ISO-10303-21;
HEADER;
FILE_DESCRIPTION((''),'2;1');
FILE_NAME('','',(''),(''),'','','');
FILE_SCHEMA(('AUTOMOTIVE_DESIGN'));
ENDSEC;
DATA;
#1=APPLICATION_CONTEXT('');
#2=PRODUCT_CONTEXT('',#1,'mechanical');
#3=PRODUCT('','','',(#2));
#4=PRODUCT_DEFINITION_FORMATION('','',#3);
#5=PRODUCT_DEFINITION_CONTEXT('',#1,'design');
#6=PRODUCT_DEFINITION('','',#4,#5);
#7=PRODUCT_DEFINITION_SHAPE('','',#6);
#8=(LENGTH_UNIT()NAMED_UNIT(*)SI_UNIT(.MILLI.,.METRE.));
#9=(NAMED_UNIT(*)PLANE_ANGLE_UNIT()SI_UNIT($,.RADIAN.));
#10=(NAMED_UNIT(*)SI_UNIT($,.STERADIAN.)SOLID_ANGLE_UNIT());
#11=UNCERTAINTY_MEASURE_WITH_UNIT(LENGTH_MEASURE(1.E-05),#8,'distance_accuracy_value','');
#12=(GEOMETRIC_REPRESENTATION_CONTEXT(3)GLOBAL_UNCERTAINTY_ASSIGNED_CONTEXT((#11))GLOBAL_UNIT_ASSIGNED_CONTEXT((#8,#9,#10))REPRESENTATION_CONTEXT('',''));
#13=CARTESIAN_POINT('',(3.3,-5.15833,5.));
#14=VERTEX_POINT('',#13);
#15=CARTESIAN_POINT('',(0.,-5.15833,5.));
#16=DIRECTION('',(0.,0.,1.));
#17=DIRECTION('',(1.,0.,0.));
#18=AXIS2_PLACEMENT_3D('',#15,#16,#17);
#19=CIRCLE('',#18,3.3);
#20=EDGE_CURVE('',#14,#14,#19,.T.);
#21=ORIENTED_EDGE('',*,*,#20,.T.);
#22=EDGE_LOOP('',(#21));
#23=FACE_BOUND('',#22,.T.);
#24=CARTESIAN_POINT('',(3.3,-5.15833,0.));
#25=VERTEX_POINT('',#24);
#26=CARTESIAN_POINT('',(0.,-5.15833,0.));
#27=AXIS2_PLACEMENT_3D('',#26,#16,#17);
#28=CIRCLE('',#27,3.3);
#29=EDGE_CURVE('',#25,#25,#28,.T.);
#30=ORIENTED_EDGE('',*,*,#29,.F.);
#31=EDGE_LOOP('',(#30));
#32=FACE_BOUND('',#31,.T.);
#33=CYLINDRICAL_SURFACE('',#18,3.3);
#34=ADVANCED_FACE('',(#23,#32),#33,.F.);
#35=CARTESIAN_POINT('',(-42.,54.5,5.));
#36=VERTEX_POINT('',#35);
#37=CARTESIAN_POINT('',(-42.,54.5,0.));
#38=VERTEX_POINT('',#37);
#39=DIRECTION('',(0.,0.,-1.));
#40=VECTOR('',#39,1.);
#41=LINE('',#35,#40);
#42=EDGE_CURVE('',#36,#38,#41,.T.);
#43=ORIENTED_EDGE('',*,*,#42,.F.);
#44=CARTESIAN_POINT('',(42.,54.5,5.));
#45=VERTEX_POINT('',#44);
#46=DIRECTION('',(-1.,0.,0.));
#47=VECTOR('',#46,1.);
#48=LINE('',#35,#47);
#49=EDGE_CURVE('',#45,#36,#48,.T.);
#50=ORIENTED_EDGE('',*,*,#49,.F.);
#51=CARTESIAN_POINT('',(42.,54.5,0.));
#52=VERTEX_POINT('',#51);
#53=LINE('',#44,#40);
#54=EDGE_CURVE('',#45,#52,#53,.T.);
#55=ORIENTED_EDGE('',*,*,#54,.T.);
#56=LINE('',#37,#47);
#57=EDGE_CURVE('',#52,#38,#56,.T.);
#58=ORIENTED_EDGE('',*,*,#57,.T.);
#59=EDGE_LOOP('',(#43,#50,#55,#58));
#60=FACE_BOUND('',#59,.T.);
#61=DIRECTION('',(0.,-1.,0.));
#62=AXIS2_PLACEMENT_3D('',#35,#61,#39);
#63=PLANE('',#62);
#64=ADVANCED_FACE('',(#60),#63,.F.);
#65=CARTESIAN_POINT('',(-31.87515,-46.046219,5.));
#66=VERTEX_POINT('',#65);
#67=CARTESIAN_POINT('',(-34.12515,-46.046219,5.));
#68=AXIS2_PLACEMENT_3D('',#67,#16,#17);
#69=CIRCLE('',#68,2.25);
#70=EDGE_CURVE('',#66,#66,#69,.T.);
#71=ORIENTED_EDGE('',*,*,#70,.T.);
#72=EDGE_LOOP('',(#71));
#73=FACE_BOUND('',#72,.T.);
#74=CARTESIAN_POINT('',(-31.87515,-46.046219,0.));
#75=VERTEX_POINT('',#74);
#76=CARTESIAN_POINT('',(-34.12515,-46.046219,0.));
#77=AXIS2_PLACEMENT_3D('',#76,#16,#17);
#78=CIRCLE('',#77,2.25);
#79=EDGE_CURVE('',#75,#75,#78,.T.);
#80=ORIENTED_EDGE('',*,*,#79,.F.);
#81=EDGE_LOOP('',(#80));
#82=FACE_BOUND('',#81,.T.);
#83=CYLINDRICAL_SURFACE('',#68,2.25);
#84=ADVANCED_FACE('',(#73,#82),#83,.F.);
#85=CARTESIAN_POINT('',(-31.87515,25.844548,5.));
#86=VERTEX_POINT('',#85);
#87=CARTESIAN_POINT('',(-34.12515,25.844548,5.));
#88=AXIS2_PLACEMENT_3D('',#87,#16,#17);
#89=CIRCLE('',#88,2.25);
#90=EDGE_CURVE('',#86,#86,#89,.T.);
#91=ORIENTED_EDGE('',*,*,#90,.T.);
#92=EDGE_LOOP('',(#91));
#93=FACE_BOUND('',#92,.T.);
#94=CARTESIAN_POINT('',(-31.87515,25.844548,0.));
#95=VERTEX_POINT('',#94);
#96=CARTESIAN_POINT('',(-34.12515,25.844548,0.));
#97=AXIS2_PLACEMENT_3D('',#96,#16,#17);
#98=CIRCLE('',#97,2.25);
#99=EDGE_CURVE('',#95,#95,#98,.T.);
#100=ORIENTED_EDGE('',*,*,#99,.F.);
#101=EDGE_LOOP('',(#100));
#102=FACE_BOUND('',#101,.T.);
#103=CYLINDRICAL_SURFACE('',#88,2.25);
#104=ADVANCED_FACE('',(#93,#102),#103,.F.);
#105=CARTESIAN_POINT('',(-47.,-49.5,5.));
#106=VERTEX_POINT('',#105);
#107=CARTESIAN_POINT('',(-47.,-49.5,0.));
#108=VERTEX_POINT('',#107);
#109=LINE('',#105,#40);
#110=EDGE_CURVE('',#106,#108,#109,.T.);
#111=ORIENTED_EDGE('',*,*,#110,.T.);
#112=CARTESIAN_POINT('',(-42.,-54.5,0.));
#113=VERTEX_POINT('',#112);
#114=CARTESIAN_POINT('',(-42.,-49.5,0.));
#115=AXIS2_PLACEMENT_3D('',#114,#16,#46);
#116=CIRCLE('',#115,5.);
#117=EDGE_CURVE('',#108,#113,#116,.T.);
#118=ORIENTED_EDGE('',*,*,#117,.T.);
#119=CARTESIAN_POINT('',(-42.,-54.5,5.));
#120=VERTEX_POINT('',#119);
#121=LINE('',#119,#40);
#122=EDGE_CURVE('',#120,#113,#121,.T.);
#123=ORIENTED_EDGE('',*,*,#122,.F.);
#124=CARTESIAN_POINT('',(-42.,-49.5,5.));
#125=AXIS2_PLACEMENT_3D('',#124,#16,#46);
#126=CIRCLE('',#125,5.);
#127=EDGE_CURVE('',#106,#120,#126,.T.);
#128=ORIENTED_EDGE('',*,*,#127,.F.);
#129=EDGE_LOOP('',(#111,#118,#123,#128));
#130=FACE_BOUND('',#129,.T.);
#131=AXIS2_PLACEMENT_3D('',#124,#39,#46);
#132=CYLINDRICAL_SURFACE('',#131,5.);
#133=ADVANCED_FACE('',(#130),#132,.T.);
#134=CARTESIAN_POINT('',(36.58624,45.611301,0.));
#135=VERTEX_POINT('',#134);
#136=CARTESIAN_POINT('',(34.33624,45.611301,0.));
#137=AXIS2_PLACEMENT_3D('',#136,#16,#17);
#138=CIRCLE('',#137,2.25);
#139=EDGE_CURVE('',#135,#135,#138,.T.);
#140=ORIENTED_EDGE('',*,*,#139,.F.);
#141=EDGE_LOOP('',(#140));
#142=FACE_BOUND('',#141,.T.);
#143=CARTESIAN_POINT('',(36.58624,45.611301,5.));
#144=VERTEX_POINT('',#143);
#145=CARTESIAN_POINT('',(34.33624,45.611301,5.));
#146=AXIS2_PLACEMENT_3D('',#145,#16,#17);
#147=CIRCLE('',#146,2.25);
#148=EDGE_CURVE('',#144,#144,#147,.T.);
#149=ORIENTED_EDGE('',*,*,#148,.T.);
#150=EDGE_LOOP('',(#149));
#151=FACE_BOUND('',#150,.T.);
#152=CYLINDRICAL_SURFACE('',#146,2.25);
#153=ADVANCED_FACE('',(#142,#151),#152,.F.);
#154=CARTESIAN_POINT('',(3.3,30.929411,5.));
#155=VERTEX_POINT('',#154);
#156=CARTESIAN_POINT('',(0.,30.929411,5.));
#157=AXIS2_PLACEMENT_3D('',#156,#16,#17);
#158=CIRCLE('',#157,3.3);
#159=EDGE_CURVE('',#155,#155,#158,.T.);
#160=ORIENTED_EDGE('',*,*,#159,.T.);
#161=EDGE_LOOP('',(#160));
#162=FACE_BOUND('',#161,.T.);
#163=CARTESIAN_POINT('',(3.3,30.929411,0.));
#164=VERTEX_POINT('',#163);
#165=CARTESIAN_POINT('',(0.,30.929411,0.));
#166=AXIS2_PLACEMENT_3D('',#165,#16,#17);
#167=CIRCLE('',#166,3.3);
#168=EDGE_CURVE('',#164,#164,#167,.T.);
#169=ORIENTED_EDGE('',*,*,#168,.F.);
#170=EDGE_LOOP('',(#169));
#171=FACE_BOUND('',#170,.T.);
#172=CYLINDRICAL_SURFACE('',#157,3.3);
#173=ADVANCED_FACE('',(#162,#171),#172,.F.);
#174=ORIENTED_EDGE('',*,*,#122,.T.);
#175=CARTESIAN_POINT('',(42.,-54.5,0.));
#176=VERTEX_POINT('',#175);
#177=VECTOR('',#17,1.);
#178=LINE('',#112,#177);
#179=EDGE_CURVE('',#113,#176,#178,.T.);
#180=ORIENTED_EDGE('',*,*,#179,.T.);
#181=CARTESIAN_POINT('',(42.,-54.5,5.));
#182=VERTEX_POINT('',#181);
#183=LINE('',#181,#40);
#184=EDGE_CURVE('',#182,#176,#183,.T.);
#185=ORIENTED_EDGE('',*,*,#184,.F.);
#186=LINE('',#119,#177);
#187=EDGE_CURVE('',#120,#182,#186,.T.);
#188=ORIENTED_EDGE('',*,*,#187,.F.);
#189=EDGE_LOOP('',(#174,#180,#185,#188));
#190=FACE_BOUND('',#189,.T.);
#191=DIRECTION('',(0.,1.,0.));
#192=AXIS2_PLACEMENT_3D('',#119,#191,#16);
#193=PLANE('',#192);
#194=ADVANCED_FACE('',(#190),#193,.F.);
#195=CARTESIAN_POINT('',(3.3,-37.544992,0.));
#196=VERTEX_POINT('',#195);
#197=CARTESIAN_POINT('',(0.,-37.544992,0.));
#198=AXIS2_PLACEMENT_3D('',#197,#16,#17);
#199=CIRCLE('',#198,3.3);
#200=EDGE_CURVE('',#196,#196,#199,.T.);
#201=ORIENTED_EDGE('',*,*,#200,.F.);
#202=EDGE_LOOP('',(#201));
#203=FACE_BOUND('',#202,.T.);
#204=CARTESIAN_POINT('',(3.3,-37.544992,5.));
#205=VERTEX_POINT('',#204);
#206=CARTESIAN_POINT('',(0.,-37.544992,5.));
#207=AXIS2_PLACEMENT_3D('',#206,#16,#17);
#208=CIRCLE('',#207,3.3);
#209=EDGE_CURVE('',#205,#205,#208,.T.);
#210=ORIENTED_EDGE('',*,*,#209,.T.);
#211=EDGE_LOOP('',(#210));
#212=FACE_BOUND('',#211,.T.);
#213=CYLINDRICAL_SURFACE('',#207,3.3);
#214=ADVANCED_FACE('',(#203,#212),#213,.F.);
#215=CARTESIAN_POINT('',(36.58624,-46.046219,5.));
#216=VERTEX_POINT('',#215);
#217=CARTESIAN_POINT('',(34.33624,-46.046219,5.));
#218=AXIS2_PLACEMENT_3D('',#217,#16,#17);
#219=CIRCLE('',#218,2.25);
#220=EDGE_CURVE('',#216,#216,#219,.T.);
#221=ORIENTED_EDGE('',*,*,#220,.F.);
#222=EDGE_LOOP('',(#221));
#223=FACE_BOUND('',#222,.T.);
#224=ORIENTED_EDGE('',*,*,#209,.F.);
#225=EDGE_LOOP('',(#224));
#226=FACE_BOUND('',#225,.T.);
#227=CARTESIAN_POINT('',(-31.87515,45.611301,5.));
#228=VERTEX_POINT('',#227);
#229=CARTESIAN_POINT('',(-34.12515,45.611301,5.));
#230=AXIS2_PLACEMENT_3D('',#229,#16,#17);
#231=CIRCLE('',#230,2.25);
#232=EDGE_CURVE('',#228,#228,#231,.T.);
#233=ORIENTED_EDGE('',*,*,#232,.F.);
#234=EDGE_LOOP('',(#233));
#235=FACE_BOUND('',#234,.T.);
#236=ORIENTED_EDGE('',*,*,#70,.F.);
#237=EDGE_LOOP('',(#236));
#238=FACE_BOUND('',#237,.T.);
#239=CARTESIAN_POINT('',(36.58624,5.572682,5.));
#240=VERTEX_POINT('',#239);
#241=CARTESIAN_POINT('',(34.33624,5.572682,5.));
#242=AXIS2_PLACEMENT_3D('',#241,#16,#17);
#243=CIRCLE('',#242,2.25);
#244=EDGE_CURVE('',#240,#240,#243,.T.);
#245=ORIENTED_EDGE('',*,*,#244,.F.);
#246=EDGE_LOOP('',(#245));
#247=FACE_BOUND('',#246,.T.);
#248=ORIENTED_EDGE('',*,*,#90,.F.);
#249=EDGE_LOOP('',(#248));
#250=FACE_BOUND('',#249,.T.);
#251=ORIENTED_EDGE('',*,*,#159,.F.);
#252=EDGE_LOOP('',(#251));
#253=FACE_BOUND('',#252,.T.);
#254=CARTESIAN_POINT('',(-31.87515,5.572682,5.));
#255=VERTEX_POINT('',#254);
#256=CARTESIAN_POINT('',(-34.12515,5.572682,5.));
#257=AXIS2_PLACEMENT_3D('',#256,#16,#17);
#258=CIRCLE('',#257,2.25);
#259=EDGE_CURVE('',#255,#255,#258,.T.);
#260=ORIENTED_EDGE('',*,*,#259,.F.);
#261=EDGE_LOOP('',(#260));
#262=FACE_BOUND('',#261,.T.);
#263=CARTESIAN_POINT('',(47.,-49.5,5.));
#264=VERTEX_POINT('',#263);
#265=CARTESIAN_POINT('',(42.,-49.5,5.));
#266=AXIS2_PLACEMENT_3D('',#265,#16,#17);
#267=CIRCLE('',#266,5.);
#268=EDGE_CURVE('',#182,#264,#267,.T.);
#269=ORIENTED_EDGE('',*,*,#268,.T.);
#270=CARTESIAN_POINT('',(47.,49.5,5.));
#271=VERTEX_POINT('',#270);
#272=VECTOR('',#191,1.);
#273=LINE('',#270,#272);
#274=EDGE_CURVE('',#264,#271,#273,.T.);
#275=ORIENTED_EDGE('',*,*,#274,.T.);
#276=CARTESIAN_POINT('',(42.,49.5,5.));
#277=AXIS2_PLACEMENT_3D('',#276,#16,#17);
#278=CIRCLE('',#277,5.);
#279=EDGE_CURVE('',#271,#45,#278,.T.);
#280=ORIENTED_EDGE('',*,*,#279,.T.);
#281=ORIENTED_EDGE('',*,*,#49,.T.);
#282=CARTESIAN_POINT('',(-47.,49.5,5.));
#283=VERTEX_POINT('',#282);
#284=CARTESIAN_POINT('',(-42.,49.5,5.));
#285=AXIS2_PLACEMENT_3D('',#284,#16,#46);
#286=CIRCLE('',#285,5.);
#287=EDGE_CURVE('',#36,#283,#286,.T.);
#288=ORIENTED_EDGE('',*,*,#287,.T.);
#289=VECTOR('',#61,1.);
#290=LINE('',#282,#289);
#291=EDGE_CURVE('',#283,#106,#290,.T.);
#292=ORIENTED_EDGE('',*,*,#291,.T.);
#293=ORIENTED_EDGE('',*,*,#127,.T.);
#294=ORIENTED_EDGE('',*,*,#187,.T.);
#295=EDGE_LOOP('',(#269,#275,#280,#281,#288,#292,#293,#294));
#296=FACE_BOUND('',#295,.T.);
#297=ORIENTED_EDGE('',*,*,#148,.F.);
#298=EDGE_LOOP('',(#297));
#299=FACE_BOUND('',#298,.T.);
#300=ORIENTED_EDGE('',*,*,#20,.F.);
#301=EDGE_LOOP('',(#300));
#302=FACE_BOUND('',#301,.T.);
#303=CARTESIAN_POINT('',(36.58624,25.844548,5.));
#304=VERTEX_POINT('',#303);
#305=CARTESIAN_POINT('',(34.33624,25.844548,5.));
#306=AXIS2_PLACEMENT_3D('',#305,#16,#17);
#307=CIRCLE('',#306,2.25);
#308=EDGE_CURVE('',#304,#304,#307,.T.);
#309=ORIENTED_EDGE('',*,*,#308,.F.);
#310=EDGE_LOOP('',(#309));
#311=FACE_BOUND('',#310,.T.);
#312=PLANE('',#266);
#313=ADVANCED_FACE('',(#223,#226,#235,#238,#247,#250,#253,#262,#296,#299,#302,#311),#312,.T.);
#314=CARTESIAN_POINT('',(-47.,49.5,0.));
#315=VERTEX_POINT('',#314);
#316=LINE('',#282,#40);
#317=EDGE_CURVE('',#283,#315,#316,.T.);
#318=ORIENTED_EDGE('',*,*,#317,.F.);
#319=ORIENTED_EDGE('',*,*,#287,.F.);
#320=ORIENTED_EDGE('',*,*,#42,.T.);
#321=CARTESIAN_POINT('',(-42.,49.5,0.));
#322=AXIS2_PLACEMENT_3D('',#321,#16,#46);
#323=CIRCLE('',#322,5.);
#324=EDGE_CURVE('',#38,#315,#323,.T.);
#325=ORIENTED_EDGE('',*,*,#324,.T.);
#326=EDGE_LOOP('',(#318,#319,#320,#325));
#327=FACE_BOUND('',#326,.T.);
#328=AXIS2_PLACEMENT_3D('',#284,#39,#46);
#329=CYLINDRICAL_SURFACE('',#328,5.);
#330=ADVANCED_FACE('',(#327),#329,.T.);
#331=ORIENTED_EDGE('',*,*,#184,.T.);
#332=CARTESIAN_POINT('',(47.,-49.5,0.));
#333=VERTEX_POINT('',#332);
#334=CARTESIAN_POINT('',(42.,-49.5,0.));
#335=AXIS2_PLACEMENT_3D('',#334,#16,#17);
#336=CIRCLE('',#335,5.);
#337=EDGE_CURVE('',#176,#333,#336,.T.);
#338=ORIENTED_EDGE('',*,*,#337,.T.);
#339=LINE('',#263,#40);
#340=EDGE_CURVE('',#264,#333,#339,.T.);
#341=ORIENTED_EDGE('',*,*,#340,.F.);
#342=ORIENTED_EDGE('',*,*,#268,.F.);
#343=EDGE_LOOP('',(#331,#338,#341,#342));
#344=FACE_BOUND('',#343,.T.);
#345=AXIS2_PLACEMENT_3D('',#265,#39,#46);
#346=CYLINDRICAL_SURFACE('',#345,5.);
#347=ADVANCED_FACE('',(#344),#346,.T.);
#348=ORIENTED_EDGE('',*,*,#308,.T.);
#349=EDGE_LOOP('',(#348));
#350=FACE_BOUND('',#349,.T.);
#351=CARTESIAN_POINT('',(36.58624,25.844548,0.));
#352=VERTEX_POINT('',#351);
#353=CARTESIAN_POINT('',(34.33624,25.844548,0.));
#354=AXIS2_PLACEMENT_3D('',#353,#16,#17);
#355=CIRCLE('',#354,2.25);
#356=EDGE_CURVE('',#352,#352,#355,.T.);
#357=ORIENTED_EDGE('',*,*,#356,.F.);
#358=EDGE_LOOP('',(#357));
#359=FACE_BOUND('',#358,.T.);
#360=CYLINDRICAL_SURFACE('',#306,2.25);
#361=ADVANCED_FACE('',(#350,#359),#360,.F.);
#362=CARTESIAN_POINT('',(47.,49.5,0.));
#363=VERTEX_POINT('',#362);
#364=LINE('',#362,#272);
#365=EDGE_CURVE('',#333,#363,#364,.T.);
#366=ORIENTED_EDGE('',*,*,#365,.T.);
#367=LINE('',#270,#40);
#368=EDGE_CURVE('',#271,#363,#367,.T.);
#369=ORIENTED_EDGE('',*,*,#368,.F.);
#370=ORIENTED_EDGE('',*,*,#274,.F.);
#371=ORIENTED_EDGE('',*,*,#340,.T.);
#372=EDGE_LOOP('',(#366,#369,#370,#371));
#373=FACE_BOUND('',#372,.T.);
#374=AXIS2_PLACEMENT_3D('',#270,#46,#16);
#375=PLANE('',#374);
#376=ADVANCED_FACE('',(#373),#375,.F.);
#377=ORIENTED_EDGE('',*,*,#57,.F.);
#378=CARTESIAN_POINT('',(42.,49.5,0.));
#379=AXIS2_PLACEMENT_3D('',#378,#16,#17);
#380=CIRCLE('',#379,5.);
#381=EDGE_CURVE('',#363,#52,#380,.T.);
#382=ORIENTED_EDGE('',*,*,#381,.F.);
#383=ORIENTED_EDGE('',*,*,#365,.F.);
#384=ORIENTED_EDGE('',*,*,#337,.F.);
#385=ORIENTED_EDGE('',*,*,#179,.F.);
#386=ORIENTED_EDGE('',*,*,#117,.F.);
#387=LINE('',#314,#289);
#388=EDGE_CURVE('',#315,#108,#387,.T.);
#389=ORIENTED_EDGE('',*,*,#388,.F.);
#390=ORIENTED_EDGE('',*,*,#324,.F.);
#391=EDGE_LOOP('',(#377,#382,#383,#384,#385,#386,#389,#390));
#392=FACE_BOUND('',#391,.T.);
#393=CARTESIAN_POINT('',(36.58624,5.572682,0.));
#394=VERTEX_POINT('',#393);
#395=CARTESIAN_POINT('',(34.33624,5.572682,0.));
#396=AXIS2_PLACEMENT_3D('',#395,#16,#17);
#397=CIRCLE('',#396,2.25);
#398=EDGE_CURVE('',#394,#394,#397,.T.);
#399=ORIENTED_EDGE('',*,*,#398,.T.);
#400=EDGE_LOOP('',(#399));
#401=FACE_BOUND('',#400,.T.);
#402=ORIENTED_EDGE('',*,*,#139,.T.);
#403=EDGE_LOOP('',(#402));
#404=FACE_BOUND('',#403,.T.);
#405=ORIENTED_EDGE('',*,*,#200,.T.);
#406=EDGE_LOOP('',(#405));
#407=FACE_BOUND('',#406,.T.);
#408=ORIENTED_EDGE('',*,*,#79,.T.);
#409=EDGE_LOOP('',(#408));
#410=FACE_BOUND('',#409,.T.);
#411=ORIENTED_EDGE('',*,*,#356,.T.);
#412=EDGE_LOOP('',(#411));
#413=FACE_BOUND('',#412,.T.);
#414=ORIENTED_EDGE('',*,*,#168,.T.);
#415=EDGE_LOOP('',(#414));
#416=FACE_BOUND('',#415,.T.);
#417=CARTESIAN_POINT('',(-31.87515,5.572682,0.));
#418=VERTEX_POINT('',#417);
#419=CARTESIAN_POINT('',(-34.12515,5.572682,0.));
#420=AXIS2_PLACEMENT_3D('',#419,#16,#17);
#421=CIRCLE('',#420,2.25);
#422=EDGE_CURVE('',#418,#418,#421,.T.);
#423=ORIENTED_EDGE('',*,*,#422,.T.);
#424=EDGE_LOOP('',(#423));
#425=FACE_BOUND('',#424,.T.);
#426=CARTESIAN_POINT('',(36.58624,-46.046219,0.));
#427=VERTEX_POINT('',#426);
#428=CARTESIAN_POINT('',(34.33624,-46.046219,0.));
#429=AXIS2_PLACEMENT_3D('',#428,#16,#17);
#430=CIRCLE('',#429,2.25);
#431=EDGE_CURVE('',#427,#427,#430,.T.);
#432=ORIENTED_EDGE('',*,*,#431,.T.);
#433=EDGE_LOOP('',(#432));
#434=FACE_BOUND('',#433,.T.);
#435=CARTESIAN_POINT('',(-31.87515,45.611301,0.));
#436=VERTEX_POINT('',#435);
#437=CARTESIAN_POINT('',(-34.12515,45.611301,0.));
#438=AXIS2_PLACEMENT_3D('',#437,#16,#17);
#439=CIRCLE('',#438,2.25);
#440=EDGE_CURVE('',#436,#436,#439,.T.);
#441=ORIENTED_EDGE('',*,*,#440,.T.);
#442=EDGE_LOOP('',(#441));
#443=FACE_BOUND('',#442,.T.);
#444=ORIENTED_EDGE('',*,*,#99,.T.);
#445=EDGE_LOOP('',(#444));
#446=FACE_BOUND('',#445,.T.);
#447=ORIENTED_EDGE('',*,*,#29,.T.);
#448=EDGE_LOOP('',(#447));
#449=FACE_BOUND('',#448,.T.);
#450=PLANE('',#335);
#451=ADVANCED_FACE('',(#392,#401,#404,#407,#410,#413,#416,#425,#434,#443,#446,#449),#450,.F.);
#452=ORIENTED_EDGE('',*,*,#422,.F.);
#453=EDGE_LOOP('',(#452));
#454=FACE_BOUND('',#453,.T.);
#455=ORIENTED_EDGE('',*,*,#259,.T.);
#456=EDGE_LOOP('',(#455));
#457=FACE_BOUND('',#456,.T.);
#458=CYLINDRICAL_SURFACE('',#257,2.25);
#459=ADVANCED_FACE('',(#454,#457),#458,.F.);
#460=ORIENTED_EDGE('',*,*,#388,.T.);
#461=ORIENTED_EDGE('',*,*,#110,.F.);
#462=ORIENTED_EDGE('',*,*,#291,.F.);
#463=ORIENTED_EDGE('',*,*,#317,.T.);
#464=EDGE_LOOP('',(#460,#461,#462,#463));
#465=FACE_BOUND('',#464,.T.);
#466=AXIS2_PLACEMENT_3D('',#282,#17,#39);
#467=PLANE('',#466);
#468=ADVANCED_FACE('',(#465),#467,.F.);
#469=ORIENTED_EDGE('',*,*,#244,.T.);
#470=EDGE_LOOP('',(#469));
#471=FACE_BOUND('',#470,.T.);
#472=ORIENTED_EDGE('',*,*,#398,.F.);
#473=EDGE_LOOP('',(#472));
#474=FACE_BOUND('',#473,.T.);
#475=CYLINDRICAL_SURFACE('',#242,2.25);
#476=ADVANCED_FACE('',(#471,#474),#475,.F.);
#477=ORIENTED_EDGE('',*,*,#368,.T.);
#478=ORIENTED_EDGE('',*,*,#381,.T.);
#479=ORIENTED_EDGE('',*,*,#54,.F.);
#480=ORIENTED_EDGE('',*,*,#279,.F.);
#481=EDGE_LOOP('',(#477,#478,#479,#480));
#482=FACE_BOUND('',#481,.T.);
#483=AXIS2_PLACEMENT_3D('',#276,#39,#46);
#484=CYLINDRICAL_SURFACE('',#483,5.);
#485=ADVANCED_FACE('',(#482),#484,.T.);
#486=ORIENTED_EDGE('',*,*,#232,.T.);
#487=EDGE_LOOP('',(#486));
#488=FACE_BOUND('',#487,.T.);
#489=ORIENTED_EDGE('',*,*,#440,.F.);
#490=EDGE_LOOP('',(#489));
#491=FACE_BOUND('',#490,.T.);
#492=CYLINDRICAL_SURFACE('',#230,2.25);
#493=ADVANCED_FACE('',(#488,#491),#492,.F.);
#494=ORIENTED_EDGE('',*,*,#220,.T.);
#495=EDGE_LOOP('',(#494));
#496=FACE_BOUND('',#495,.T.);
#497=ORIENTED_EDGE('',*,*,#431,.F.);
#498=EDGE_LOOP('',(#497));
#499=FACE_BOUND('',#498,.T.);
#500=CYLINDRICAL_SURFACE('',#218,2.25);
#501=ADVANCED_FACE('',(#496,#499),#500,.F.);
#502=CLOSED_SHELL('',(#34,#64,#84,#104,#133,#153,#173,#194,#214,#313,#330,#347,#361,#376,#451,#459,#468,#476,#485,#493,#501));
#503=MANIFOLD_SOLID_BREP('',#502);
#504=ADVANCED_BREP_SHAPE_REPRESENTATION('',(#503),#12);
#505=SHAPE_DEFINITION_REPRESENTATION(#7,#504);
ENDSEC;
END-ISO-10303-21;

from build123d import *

# Parameters (mm, degrees)
BOSS_EXTRU_1_DEPTH = 5
D_GAGEMENT_M61_D   = 6.6
D_GAGEMENT_M41_D   = 4.5


with BuildPart() as part:
    # Esquisse1 → Boss.-Extru.1 (new body)
    with BuildSketch(Plane.XY):
        with BuildLine():
            Line((-42, 54.5), (42, 54.5))
            ThreePointArc((42, 54.5), (45.535533906, 53.035533906), (47, 49.5))
            Line((47, 49.5), (47, -49.5))
            ThreePointArc((47, -49.5), (45.535533906, -53.035533906), (42, -54.5))
            Line((42, -54.5), (-42, -54.5))
            ThreePointArc((-42, -54.5), (-45.535533906, -53.035533906), (-47, -49.5))
            Line((-47, -49.5), (-47, 49.5))
            ThreePointArc((-47, 49.5), (-45.535533906, 53.035533906), (-42, 54.5))
        make_face()
    extrude(amount=BOSS_EXTRU_1_DEPTH)

    # Dégagement M61 (through all)
    with Locations(Plane.XY.offset(5)):
        with Locations((0, 30.929411148), (0, -37.544992042), (0, -5.15832988)):
            Hole(D_GAGEMENT_M61_D / 2)

    # Dégagement M41 (through all)
    with Locations(Plane.XY.offset(5)):
        with Locations((34.336239969, 45.611301296), (34.336239969, 25.844548243), (34.336239969, 5.572681811), (34.336239969, -46.046219335), (-34.125150255, -46.046219335), (-34.125150255, 5.572681811), (-34.125150255, 25.844548243), (-34.125150255, 45.611301296)):
            Hole(D_GAGEMENT_M41_D / 2)


solid = part.part
